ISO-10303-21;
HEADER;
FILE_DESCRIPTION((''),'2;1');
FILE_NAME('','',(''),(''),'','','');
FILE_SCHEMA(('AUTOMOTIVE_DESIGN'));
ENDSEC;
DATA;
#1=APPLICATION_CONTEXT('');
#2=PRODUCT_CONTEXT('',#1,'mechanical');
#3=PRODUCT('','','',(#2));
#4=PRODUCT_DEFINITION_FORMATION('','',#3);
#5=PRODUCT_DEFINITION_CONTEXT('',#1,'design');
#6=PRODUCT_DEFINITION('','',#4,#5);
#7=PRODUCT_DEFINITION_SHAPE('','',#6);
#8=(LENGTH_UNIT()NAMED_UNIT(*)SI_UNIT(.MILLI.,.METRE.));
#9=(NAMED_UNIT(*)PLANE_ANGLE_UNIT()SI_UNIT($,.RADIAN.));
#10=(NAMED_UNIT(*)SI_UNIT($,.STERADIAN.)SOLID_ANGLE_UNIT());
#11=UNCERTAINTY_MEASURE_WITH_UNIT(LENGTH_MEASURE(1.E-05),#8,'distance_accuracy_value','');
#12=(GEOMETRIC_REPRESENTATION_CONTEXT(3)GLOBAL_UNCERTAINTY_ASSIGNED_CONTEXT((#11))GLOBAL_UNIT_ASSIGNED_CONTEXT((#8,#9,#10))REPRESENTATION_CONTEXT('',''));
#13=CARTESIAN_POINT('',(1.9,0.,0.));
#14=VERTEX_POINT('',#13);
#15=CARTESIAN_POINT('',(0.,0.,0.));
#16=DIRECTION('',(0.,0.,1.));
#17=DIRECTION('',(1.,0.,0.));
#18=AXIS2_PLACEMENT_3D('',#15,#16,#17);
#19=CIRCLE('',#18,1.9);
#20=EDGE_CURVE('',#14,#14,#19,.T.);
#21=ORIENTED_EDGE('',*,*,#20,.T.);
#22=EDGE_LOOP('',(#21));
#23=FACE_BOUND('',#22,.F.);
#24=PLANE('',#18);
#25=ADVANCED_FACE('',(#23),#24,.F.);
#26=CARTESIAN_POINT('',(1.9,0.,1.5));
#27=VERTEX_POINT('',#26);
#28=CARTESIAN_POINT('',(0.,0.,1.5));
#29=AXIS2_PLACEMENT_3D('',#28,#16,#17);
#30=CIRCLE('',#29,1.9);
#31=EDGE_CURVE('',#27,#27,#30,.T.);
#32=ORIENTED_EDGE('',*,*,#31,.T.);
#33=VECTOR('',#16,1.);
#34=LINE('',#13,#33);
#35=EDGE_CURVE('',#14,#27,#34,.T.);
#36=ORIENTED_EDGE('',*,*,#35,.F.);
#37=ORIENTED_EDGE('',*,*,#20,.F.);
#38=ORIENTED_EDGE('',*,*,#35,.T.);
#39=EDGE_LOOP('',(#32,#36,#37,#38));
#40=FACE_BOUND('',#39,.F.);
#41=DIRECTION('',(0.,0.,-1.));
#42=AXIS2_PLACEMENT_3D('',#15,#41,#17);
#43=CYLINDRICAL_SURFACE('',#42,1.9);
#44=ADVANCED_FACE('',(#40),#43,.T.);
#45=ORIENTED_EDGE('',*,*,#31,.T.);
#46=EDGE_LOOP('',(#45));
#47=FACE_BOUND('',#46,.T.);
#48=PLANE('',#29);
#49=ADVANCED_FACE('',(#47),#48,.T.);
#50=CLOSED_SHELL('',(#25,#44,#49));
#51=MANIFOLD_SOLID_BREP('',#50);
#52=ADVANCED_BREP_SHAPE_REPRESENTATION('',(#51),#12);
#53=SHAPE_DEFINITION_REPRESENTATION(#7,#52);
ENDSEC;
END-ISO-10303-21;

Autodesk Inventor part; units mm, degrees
ref_plane "YZ Plane" through (0, 0, 0) normal (1, 0, 0) x (0, 1, 0)
ref_plane "XZ Plane" through (0, 0, 0) normal (0, 1, 0) x (-1, 0, 0)
ref_plane "XY Plane" through (0, 0, 0) normal (0, 0, 1) x (1, 0, 0)
sketch "Boceto1" plane through (0, 0, 0) normal (0, 0, 1) x (1, 0, 0)
  circle A0 centre (0, 0) radius 1.9
  dimension "d0" = 3.8
extrude "Extrusión1" add sketch "Boceto1" along normal blind 1.5
properties part number "Pieza11_3DPrint"
